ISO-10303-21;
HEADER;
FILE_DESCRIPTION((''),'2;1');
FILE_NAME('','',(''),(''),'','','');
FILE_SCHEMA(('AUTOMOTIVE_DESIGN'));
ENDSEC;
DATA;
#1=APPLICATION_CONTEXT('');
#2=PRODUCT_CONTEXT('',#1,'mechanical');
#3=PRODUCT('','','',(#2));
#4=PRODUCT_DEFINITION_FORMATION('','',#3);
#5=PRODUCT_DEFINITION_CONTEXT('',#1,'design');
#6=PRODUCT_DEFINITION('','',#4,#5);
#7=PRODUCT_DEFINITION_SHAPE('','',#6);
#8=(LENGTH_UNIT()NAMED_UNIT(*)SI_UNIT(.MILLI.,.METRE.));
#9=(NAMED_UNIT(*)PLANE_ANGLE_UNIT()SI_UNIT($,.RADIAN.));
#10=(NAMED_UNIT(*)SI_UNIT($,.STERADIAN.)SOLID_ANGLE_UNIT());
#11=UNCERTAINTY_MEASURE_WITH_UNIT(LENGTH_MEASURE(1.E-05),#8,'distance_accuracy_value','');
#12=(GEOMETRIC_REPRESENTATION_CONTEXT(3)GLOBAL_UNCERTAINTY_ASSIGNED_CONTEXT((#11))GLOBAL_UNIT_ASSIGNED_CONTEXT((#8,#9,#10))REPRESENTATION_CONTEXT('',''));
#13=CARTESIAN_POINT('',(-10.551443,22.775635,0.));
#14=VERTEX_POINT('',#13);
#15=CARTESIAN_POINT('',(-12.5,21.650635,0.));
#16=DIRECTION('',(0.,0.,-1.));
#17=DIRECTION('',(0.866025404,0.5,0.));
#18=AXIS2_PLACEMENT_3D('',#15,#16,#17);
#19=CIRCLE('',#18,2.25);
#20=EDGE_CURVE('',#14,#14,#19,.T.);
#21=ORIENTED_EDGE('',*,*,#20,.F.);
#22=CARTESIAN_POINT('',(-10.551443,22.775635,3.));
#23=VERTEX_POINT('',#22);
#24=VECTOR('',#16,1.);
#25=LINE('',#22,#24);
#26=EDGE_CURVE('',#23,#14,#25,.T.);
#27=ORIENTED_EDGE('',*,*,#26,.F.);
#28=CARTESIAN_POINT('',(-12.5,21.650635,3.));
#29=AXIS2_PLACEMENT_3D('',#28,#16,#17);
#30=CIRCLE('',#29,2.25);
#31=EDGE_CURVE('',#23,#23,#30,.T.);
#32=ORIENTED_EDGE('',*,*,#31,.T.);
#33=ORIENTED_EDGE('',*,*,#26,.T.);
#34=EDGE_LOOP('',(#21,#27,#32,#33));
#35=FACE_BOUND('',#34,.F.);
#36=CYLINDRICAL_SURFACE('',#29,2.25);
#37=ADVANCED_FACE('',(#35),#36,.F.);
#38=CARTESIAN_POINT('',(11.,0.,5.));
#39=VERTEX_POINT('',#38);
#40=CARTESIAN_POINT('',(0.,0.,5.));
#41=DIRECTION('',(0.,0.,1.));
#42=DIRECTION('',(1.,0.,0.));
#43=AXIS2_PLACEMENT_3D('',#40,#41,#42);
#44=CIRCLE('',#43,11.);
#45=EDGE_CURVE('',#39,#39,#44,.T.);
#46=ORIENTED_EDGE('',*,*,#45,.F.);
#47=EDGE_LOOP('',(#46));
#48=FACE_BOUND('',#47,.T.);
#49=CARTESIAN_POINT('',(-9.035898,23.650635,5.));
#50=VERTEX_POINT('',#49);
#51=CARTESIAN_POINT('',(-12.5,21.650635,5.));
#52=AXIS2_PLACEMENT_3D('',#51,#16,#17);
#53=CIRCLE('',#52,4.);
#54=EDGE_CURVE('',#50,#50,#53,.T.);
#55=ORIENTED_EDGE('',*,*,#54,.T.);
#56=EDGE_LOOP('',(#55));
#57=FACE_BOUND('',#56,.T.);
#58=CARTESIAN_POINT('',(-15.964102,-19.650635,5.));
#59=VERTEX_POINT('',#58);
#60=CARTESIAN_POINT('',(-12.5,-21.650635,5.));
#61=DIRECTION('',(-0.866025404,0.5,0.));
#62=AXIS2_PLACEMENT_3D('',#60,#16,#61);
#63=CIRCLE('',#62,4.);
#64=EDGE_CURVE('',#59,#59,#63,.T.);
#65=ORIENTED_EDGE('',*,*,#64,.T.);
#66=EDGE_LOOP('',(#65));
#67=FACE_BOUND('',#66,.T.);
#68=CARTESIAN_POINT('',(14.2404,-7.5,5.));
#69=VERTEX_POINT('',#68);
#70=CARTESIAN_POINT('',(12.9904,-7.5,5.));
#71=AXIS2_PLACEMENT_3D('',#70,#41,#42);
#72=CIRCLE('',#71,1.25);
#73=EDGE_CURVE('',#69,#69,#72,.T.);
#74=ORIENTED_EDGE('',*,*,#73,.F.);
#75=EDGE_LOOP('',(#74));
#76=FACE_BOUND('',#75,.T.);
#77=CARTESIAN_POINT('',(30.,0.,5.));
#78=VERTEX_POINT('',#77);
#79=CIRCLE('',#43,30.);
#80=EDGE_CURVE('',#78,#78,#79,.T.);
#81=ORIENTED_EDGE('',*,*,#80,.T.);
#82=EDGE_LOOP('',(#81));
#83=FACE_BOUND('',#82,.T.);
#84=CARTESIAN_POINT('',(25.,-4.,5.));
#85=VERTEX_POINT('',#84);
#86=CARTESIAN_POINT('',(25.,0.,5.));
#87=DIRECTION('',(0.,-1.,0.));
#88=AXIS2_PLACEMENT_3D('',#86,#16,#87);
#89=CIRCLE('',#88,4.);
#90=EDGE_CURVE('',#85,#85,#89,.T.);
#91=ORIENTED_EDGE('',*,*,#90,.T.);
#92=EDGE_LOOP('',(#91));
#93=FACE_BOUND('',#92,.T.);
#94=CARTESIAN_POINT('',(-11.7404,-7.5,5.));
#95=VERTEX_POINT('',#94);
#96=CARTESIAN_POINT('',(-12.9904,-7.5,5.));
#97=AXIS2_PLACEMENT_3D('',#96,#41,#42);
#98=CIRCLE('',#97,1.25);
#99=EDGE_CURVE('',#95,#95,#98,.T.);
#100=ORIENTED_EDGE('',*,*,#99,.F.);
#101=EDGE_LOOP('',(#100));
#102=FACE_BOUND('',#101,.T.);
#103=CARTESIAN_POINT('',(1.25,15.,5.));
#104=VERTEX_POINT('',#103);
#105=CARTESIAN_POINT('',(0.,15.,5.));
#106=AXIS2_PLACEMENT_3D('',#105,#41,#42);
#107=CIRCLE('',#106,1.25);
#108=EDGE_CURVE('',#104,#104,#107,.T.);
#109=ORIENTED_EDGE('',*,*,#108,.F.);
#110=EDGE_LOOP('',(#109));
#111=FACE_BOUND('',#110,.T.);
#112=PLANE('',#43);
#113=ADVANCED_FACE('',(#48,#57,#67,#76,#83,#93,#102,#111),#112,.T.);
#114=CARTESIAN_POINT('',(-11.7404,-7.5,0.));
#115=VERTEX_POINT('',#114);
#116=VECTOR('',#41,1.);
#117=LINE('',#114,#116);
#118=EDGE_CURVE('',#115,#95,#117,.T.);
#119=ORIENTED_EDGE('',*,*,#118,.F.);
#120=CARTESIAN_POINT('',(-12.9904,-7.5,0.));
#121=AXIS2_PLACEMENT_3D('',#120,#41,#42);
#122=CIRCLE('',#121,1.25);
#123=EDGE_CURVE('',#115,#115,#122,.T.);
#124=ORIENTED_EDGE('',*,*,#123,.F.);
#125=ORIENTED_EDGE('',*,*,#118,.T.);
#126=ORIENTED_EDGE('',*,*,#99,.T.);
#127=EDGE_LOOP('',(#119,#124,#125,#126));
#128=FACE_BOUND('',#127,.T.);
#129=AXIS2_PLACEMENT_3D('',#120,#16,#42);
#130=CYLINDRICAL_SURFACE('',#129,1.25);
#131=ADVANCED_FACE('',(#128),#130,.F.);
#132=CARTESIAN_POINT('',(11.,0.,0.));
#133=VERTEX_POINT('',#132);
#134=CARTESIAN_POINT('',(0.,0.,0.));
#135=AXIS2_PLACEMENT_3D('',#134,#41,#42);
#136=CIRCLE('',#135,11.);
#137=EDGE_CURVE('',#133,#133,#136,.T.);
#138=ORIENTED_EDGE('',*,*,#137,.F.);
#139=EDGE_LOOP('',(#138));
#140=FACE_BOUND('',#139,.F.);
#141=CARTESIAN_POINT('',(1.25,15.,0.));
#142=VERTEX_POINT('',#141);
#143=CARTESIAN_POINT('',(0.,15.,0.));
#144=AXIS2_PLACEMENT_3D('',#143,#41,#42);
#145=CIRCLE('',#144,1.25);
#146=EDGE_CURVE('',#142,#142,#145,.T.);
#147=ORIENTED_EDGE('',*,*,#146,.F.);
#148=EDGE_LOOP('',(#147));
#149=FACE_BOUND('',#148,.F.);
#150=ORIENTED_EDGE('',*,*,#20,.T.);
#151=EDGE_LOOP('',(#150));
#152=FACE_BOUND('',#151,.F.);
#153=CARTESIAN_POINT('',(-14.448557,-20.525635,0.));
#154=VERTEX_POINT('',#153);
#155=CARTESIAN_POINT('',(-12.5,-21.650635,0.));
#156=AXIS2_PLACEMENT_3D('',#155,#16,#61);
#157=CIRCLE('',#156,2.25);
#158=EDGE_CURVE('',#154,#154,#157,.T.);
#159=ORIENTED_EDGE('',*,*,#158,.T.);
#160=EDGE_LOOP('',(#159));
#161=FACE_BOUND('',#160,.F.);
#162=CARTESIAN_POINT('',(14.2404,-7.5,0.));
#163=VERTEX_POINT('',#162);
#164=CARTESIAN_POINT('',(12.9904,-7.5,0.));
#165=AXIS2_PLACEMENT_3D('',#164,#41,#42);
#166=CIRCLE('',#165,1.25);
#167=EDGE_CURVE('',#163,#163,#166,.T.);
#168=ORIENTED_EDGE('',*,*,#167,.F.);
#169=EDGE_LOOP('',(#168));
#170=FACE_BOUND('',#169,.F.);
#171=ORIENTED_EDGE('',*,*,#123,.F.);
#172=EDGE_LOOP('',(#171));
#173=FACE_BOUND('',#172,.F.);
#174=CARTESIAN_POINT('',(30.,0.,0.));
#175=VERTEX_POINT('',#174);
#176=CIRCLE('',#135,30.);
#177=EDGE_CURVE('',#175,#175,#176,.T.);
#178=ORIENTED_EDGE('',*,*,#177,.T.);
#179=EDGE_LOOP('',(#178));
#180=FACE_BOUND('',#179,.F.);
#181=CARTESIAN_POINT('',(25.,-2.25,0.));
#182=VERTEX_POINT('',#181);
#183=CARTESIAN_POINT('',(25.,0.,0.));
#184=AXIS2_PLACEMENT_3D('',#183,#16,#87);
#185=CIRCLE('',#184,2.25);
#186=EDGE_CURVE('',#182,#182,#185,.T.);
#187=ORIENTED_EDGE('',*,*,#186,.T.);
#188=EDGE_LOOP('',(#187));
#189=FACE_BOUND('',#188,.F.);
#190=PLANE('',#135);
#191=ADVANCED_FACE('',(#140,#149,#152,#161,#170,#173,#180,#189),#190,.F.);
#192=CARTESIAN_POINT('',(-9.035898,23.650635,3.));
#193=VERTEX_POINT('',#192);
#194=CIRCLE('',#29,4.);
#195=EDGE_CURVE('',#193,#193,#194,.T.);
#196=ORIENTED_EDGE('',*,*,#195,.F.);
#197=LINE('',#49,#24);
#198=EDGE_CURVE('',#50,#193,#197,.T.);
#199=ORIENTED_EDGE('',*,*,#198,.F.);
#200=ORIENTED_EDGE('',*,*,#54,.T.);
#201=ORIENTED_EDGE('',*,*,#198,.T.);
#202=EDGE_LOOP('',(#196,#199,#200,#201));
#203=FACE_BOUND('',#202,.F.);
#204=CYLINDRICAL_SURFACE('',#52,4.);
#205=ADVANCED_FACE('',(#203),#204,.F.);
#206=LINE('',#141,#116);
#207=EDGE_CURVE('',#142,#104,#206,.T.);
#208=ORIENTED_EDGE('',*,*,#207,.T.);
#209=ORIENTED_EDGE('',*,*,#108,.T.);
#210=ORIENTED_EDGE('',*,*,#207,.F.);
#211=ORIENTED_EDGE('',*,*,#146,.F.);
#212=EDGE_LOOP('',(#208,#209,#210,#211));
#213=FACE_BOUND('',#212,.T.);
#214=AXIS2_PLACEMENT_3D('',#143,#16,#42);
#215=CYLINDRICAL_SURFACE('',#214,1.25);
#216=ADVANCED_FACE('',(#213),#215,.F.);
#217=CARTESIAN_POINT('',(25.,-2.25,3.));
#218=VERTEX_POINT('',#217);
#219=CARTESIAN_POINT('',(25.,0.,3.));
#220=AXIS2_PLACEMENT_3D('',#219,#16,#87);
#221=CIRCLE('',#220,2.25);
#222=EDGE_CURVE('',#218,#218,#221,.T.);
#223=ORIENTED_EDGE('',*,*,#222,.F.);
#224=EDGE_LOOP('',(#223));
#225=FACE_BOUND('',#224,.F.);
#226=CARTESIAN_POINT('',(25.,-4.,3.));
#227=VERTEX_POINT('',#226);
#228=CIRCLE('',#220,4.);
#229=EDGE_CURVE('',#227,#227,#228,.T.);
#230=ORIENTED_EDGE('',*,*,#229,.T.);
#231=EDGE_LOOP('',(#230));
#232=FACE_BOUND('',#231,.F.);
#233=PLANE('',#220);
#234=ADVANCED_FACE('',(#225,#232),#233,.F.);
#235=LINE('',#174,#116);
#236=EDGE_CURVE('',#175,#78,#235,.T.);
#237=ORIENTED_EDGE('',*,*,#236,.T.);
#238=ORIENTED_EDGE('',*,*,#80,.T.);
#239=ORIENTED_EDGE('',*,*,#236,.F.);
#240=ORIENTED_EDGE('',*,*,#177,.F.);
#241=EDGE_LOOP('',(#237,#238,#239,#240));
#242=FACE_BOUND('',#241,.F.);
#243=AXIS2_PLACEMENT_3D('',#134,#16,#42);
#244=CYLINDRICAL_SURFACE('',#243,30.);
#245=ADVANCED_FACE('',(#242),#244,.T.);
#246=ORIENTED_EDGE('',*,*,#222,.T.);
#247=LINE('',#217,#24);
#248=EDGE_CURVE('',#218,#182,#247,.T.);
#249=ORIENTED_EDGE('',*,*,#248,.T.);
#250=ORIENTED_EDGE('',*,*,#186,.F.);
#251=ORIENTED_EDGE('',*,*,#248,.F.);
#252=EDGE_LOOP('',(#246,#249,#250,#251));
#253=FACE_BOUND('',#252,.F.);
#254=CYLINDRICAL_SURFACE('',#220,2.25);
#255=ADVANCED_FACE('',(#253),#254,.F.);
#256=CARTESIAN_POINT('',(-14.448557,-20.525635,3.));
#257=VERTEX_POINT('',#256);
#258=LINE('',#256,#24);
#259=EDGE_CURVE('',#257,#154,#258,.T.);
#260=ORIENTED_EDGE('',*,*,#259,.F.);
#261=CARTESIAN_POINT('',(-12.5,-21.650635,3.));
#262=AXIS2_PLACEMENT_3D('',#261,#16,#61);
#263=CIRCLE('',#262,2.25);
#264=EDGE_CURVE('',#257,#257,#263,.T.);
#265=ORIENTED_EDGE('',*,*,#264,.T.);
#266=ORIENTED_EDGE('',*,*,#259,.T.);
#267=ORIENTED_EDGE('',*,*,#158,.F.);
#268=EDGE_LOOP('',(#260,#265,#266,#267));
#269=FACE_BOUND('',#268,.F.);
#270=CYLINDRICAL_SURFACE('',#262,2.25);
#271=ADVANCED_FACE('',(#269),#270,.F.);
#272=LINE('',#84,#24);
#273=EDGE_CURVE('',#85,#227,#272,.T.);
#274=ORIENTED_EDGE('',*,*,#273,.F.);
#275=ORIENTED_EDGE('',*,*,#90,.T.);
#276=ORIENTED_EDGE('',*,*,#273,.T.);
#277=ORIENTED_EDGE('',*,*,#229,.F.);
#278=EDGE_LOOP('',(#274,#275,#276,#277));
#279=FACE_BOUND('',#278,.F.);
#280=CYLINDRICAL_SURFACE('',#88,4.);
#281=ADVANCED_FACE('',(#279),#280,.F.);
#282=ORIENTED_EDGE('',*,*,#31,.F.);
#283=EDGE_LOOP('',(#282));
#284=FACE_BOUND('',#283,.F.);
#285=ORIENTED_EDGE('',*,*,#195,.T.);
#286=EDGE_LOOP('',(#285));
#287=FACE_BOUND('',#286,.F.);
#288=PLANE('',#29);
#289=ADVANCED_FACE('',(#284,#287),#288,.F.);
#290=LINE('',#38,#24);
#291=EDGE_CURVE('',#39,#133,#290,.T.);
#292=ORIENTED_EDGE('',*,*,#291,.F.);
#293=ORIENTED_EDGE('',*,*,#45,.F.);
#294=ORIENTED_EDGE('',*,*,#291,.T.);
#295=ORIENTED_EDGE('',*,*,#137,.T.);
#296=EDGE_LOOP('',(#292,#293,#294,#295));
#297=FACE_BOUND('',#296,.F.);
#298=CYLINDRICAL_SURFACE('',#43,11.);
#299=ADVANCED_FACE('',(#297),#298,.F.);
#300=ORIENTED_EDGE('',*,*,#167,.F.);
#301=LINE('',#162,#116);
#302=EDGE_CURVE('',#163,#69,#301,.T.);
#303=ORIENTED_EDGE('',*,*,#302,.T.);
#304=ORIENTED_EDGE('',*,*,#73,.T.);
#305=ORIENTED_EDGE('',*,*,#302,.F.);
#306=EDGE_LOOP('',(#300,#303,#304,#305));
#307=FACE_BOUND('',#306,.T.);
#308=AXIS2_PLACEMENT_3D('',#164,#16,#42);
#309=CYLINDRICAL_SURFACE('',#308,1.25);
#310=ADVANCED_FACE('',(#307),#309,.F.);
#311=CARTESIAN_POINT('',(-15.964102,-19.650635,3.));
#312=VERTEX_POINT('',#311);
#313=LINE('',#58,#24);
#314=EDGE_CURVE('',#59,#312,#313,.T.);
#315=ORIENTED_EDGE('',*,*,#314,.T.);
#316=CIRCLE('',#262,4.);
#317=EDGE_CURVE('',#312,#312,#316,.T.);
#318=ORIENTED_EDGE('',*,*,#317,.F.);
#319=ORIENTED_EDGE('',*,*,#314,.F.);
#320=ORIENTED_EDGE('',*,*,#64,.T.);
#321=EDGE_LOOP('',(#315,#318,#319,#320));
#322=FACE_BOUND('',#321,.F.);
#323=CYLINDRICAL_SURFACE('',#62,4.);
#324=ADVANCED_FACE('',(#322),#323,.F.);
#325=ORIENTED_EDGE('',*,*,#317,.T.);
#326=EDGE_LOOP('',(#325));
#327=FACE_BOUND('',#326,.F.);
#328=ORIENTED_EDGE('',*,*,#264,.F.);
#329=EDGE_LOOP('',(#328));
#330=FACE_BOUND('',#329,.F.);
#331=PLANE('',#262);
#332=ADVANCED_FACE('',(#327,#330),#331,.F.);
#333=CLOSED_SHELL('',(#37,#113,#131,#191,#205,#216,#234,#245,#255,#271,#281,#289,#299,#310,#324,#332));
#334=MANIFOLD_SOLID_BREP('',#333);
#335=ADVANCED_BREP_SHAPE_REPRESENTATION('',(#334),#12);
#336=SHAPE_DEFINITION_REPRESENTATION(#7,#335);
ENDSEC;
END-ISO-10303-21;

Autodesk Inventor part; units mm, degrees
ref_plane "YZ Plane" through (0, 0, 0) normal (1, 0, 0) x (0, 1, 0)
ref_plane "XZ Plane" through (0, 0, 0) normal (0, 1, 0) x (-1, 0, 0)
ref_plane "XY Plane" through (0, 0, 0) normal (0, 0, 1) x (1, 0, 0)
sketch "Sketch1" plane through (0, 0, 0) normal (0, 0, 1) x (1, 0, 0)
  circle A0 centre (0, 0) radius 10
  circle A1 centre (0, 0) radius 30
  circle A2 centre (0, 15) radius 1.25
  circle A3 centre (-12.9904, -7.5) radius 1.25
  circle A4 centre (12.9904, -7.5) radius 1.25
  dimension "d0" = 20
  dimension "d1" = 60
  dimension "d3" = 2.5
  dimension "d6" = 360
extrude "Extrusion1" add sketch "Sketch1" along normal blind 5
sketch "Sketch5" plane through (0, 0, 5) normal (0, 0, 1) x (1, 0, 0)
  circle A0 centre (0, 0) radius 25 construction
  circle A1 centre (25, 0) radius 2.25
  dimension "d40" = 50
  dimension "d41" = 4.5
hole "Hole1" at (25, 0, 5) direction (0, 0, -1) diameter 4.5 end through all counterbore diameter 8 counterbore depth 2
pattern_circular "Circular Pattern2" count 3 over 360 about axis through (0, 0, 0) along (0, 0, 1) of "Hole1"
sketch "Sketch4" plane through (0, 0, 5) normal (0, 0, 1) x (1, 0, 0)
  circle A0 centre (0, 0) radius 10 projected
  circle A1 centre (0, 0) radius 11
  dimension "d34" = 1
extrude "Extrusion8" cut sketch "Sketch4" against normal blind 10
properties part number "Encoder Mount Front" material "ABS Plastic"
